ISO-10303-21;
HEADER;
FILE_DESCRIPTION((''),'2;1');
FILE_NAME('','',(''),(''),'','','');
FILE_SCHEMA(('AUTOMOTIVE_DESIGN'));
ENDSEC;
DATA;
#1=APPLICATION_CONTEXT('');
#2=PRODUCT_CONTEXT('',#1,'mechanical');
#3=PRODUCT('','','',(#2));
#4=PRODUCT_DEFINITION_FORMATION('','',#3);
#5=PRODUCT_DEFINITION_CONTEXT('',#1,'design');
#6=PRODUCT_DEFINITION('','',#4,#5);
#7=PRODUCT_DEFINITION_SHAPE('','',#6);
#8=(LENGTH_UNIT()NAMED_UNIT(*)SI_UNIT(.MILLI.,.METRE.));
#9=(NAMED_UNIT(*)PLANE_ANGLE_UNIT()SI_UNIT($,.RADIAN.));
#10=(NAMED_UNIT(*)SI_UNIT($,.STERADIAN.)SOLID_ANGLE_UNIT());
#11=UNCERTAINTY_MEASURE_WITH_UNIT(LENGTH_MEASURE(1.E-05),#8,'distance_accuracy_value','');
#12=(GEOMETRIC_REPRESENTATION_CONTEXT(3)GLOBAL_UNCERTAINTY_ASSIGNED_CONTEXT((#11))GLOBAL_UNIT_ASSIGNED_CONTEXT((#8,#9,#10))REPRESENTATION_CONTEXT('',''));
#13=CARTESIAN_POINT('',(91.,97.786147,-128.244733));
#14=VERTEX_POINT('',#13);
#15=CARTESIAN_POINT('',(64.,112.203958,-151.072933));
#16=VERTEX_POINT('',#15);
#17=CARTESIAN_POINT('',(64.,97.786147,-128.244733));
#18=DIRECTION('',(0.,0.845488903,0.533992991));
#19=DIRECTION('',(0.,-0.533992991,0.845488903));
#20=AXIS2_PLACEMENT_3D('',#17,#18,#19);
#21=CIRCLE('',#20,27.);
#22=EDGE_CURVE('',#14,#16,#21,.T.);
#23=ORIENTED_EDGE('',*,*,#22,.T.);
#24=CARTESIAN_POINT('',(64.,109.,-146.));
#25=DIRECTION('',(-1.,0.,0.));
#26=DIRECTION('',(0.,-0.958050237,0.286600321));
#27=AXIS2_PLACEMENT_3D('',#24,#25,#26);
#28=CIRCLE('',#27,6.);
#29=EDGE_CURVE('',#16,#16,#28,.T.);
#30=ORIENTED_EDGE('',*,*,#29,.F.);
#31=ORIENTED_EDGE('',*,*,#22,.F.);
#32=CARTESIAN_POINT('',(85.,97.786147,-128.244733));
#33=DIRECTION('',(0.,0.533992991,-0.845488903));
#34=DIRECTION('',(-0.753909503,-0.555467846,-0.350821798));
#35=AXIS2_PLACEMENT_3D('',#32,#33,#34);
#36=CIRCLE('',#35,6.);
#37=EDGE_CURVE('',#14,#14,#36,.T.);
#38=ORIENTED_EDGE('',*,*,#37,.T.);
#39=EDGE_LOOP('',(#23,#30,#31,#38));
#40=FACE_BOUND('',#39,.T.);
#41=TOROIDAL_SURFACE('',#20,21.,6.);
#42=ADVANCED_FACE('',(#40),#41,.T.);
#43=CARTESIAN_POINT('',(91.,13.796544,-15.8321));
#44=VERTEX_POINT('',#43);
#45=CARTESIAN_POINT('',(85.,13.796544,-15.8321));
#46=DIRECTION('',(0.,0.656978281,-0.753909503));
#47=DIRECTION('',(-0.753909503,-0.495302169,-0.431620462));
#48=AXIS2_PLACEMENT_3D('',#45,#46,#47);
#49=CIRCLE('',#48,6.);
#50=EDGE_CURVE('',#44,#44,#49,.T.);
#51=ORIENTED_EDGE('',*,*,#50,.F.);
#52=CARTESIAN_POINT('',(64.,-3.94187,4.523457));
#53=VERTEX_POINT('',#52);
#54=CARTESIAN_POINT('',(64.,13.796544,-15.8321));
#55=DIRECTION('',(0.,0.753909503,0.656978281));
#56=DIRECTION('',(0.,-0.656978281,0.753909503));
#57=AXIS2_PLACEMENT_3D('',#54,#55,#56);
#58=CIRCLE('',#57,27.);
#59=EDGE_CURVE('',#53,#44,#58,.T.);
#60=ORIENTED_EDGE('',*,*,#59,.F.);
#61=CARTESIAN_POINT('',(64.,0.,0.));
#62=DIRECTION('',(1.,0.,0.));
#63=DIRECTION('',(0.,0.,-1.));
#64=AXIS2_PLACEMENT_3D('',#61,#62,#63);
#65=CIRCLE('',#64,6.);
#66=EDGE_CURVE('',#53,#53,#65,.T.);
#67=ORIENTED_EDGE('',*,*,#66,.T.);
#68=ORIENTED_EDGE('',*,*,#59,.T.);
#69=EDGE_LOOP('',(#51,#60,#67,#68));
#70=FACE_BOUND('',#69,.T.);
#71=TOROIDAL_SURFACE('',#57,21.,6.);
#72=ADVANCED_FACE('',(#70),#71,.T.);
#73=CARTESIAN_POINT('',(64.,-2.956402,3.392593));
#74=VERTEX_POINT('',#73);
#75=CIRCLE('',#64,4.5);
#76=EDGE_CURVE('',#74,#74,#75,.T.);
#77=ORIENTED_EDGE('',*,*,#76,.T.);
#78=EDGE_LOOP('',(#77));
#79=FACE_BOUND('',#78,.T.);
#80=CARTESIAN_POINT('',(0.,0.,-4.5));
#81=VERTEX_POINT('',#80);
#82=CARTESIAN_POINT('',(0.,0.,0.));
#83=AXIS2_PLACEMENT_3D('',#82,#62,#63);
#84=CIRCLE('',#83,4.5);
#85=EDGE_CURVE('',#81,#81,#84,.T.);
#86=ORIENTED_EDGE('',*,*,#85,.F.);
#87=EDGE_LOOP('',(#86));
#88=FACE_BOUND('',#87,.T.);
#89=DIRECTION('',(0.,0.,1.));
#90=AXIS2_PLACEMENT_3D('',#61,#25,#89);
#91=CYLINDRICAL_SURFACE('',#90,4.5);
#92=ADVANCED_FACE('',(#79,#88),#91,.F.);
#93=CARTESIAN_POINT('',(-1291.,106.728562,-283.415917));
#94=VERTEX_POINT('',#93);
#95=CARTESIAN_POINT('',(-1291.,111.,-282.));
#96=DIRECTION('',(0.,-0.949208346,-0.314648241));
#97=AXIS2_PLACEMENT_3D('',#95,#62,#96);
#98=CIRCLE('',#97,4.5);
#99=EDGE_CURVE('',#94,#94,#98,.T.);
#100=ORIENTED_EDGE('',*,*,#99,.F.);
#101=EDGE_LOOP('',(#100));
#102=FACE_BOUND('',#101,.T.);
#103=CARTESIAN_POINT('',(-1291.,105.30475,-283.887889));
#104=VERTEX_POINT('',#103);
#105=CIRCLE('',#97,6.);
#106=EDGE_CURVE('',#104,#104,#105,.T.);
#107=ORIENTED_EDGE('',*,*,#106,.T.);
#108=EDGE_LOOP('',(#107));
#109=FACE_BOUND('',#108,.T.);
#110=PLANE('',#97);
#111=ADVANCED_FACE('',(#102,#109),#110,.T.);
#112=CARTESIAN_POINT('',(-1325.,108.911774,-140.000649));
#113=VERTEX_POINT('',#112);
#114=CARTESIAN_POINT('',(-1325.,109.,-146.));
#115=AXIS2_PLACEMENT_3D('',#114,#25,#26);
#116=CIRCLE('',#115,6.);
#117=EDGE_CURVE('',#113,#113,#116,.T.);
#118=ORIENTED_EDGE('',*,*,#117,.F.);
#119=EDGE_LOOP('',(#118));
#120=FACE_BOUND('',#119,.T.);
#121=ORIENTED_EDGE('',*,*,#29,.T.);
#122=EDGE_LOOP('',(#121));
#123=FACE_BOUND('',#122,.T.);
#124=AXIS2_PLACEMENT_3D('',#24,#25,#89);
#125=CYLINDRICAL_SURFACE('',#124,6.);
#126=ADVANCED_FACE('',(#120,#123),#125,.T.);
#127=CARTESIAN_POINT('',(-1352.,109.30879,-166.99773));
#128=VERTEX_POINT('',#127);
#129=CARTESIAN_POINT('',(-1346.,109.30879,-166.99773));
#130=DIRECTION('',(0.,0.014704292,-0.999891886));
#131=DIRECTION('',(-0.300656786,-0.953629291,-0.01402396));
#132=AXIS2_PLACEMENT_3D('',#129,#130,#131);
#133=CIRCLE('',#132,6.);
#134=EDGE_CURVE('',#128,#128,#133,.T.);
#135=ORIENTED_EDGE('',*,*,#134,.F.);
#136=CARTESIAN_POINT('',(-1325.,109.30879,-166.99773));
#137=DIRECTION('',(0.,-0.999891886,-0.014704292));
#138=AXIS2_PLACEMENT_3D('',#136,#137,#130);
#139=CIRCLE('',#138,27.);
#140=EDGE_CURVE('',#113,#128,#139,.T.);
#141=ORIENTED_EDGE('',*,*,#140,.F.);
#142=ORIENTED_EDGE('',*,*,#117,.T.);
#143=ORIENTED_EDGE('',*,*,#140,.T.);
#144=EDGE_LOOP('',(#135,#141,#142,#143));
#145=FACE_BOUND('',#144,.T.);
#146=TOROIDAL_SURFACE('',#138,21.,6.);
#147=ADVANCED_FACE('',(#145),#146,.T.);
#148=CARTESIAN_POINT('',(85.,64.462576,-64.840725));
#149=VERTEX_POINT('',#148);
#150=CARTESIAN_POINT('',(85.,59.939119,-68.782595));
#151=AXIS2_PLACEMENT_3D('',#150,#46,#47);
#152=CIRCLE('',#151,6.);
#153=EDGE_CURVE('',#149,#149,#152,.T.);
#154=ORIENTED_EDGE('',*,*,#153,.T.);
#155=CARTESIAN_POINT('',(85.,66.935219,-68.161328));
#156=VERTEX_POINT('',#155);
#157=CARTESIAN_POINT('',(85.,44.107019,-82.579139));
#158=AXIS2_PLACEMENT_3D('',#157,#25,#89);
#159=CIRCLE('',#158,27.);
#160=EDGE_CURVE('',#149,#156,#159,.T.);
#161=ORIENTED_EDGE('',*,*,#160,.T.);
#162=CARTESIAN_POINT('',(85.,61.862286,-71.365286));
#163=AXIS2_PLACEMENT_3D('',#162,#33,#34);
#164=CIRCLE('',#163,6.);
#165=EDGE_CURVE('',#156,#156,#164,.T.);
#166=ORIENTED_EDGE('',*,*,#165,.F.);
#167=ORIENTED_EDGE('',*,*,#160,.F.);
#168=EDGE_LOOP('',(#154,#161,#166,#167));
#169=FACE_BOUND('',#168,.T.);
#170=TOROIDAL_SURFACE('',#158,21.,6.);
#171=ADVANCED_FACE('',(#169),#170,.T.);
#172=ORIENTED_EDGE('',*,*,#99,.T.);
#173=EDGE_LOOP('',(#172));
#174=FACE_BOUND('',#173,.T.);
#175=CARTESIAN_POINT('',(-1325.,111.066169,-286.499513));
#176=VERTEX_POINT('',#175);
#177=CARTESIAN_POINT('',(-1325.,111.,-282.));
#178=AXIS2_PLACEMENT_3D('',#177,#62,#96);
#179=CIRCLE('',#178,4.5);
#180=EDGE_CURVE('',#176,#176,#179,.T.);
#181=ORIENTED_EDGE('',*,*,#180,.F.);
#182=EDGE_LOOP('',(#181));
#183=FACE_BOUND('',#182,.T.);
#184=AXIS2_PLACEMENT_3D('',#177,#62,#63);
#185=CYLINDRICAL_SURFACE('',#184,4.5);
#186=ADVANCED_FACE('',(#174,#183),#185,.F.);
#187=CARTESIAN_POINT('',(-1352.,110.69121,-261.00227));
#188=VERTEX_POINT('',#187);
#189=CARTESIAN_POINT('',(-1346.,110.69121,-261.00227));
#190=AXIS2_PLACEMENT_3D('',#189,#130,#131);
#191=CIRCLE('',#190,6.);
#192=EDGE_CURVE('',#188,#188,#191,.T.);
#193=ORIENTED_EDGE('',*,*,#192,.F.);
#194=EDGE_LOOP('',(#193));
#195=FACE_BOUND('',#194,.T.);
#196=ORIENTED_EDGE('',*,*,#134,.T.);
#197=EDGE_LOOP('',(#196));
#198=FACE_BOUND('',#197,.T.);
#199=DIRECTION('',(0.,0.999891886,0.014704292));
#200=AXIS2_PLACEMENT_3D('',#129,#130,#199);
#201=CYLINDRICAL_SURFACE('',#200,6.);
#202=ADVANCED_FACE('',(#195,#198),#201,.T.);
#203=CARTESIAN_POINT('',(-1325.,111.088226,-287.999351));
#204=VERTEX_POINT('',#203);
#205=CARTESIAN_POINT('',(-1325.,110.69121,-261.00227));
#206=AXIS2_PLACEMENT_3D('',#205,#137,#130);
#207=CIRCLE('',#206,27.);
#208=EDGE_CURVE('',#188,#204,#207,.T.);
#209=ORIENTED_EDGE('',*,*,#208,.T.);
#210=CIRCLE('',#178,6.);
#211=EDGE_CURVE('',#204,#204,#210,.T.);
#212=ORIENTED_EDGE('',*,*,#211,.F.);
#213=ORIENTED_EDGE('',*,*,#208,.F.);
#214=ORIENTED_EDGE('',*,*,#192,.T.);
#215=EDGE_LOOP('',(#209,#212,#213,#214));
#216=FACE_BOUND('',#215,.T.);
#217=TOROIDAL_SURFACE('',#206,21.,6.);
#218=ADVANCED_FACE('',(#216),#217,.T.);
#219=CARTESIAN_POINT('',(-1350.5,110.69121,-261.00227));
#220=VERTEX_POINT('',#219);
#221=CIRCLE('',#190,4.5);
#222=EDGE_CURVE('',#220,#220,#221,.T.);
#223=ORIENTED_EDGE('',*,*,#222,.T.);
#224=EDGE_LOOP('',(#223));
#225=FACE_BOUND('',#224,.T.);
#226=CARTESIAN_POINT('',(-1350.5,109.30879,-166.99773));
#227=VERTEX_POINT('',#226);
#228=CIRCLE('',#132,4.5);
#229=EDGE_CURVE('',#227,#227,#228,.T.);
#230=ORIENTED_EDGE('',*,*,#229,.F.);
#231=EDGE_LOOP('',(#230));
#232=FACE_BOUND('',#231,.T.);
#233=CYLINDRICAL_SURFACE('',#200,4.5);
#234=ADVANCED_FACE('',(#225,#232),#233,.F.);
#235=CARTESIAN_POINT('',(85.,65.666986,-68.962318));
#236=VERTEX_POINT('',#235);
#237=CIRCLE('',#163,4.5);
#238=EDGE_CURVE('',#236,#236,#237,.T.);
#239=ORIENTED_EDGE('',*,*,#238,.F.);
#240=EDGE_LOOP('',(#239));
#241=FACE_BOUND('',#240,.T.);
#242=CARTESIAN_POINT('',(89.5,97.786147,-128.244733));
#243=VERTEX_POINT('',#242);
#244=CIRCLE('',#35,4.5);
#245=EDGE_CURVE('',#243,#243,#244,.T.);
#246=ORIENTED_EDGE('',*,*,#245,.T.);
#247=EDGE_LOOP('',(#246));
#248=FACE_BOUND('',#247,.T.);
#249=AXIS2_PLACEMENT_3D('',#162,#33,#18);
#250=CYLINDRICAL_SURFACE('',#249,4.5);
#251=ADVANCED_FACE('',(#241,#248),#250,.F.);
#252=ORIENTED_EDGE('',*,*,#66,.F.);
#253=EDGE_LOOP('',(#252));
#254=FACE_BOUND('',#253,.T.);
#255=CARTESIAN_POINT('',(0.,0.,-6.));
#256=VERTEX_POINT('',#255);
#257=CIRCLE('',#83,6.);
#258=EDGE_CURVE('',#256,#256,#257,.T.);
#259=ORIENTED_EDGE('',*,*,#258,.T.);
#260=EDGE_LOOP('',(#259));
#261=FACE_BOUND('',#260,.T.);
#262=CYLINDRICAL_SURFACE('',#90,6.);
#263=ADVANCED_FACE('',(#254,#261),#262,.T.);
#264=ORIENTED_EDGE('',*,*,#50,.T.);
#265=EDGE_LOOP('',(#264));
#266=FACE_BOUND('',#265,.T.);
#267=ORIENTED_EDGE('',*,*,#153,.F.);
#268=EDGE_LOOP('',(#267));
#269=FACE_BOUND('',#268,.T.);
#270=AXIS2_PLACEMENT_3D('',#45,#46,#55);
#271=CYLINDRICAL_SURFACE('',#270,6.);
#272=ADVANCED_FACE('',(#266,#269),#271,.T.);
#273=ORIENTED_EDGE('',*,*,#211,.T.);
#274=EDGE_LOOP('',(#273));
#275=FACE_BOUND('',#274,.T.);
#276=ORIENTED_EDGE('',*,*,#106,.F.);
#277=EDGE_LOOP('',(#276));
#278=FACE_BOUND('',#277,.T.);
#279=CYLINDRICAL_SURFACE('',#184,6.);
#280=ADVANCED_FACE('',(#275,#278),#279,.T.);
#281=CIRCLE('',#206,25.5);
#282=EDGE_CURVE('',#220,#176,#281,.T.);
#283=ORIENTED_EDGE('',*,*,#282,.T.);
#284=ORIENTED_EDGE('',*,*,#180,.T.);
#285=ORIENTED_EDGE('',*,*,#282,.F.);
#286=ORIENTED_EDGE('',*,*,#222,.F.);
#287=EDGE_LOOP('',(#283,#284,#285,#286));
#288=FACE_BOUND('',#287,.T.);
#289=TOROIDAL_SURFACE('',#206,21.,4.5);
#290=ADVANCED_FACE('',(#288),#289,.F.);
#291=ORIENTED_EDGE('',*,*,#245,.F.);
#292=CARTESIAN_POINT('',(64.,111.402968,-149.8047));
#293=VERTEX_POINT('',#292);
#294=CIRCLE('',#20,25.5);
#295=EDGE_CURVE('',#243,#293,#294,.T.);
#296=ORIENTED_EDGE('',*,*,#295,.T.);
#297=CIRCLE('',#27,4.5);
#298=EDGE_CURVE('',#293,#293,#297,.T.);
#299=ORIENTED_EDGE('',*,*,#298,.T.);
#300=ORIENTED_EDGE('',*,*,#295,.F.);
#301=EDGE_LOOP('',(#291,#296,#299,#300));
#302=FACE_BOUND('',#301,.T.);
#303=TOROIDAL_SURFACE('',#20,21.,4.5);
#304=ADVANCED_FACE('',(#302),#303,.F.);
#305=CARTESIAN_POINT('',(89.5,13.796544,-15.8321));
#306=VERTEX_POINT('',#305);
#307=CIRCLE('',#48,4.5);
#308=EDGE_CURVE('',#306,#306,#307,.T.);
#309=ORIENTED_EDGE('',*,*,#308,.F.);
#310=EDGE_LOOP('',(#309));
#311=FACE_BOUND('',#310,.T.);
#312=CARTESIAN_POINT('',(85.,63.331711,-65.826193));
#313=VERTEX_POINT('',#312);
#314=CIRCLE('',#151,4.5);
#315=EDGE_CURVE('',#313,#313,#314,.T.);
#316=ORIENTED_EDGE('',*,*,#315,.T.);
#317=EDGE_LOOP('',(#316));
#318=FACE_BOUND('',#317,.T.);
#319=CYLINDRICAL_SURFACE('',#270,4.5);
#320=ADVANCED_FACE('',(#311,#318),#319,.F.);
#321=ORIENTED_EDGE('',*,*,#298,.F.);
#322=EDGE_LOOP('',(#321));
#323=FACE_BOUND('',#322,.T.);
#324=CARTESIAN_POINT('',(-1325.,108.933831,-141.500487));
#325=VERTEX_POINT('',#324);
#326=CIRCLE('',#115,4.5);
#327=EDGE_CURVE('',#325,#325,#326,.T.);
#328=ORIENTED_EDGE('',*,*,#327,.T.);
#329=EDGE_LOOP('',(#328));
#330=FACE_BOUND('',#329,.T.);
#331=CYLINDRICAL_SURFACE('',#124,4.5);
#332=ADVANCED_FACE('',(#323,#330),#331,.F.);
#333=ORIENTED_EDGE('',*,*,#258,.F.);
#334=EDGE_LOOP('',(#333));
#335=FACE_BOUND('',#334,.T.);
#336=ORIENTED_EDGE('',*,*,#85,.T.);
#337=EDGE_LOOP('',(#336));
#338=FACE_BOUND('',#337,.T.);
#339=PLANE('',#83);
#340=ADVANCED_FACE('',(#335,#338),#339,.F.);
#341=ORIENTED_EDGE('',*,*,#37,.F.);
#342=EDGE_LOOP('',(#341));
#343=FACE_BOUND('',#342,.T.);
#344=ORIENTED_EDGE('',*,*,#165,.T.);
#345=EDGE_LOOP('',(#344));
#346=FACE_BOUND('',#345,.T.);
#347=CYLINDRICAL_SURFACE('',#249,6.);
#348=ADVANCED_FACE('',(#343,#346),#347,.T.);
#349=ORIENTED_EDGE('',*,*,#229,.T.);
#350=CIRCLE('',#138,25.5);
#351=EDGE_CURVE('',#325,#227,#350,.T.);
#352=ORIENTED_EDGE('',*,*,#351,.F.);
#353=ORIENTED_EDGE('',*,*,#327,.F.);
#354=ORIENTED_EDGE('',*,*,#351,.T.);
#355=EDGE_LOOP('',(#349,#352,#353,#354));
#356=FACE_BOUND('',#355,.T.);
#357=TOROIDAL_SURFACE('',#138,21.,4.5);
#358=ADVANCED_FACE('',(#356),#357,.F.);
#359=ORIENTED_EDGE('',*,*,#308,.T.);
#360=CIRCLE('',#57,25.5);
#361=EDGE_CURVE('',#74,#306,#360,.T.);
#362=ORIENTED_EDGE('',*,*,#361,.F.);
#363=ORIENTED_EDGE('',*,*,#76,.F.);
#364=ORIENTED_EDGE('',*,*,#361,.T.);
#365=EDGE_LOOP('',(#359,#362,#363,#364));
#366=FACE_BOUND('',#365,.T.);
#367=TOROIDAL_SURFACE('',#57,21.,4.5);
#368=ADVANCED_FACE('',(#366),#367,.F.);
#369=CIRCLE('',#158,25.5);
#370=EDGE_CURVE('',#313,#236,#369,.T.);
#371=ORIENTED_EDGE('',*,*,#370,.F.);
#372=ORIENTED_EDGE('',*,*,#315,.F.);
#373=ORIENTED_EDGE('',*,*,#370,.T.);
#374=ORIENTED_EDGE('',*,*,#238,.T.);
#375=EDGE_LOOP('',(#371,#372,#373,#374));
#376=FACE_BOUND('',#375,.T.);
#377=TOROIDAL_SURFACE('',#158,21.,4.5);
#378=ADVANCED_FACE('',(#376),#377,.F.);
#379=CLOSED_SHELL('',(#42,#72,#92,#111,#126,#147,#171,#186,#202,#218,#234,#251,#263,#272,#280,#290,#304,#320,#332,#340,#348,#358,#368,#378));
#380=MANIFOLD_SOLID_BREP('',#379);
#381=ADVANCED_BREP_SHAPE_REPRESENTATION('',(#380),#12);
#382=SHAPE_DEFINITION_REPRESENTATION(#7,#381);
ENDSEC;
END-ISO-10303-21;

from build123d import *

# Parameters (mm, degrees)
SKETCH1_R   = 6
SKETCH1_R_2 = 4.5


with BuildPart() as part:
    # Sweep1: sweep along a curve in space
    with BuildLine() as sweep1_path:
        Line((0, 0, 0), (64, 0, 0))
        ThreePointArc((64, 0, 0), (78.849242405, 4.040914151, -4.6371146), (85, 13.7965439, -15.832099558))
        Line((85, 13.7965439, -15.832099558), (85, 59.939118646, -68.782595167))
        ThreePointArc((85, 61.862286052, -71.365286248), (85, 60.950278, -70.037024842), (85, 59.939118646, -68.782595167))
        Line((85, 61.862286052, -71.365286248), (85, 97.786147181, -128.244733036))
        ThreePointArc((64, 109, -146), (78.849242405, 105.715538552, -140.799602708), (85, 97.786147181, -128.244733036))
        Line((64, 109, -146), (-1325, 109, -146))
        ThreePointArc((-1325, 109, -146), (-1339.849242405, 109.090442538, -152.150092612), (-1346, 109.308790141, -166.997729607))
        Line((-1346, 109.308790141, -166.997729607), (-1346, 110.691209859, -261.002270393))
        ThreePointArc((-1325, 111, -282), (-1339.849242405, 110.909557462, -275.849907388), (-1346, 110.691209859, -261.002270393))
        Line((-1325, 111, -282), (-1291, 111, -282))
    # Sketch1 → Sweep1 (sweep)
    with BuildSketch(Plane(origin=(0, 0, 0), x_dir=(0, 0, -1), z_dir=(1, 0, 0))):
        Circle(SKETCH1_R)
        Circle(SKETCH1_R_2, mode=Mode.SUBTRACT)
    sweep(path=sweep1_path.line)


solid = part.part
